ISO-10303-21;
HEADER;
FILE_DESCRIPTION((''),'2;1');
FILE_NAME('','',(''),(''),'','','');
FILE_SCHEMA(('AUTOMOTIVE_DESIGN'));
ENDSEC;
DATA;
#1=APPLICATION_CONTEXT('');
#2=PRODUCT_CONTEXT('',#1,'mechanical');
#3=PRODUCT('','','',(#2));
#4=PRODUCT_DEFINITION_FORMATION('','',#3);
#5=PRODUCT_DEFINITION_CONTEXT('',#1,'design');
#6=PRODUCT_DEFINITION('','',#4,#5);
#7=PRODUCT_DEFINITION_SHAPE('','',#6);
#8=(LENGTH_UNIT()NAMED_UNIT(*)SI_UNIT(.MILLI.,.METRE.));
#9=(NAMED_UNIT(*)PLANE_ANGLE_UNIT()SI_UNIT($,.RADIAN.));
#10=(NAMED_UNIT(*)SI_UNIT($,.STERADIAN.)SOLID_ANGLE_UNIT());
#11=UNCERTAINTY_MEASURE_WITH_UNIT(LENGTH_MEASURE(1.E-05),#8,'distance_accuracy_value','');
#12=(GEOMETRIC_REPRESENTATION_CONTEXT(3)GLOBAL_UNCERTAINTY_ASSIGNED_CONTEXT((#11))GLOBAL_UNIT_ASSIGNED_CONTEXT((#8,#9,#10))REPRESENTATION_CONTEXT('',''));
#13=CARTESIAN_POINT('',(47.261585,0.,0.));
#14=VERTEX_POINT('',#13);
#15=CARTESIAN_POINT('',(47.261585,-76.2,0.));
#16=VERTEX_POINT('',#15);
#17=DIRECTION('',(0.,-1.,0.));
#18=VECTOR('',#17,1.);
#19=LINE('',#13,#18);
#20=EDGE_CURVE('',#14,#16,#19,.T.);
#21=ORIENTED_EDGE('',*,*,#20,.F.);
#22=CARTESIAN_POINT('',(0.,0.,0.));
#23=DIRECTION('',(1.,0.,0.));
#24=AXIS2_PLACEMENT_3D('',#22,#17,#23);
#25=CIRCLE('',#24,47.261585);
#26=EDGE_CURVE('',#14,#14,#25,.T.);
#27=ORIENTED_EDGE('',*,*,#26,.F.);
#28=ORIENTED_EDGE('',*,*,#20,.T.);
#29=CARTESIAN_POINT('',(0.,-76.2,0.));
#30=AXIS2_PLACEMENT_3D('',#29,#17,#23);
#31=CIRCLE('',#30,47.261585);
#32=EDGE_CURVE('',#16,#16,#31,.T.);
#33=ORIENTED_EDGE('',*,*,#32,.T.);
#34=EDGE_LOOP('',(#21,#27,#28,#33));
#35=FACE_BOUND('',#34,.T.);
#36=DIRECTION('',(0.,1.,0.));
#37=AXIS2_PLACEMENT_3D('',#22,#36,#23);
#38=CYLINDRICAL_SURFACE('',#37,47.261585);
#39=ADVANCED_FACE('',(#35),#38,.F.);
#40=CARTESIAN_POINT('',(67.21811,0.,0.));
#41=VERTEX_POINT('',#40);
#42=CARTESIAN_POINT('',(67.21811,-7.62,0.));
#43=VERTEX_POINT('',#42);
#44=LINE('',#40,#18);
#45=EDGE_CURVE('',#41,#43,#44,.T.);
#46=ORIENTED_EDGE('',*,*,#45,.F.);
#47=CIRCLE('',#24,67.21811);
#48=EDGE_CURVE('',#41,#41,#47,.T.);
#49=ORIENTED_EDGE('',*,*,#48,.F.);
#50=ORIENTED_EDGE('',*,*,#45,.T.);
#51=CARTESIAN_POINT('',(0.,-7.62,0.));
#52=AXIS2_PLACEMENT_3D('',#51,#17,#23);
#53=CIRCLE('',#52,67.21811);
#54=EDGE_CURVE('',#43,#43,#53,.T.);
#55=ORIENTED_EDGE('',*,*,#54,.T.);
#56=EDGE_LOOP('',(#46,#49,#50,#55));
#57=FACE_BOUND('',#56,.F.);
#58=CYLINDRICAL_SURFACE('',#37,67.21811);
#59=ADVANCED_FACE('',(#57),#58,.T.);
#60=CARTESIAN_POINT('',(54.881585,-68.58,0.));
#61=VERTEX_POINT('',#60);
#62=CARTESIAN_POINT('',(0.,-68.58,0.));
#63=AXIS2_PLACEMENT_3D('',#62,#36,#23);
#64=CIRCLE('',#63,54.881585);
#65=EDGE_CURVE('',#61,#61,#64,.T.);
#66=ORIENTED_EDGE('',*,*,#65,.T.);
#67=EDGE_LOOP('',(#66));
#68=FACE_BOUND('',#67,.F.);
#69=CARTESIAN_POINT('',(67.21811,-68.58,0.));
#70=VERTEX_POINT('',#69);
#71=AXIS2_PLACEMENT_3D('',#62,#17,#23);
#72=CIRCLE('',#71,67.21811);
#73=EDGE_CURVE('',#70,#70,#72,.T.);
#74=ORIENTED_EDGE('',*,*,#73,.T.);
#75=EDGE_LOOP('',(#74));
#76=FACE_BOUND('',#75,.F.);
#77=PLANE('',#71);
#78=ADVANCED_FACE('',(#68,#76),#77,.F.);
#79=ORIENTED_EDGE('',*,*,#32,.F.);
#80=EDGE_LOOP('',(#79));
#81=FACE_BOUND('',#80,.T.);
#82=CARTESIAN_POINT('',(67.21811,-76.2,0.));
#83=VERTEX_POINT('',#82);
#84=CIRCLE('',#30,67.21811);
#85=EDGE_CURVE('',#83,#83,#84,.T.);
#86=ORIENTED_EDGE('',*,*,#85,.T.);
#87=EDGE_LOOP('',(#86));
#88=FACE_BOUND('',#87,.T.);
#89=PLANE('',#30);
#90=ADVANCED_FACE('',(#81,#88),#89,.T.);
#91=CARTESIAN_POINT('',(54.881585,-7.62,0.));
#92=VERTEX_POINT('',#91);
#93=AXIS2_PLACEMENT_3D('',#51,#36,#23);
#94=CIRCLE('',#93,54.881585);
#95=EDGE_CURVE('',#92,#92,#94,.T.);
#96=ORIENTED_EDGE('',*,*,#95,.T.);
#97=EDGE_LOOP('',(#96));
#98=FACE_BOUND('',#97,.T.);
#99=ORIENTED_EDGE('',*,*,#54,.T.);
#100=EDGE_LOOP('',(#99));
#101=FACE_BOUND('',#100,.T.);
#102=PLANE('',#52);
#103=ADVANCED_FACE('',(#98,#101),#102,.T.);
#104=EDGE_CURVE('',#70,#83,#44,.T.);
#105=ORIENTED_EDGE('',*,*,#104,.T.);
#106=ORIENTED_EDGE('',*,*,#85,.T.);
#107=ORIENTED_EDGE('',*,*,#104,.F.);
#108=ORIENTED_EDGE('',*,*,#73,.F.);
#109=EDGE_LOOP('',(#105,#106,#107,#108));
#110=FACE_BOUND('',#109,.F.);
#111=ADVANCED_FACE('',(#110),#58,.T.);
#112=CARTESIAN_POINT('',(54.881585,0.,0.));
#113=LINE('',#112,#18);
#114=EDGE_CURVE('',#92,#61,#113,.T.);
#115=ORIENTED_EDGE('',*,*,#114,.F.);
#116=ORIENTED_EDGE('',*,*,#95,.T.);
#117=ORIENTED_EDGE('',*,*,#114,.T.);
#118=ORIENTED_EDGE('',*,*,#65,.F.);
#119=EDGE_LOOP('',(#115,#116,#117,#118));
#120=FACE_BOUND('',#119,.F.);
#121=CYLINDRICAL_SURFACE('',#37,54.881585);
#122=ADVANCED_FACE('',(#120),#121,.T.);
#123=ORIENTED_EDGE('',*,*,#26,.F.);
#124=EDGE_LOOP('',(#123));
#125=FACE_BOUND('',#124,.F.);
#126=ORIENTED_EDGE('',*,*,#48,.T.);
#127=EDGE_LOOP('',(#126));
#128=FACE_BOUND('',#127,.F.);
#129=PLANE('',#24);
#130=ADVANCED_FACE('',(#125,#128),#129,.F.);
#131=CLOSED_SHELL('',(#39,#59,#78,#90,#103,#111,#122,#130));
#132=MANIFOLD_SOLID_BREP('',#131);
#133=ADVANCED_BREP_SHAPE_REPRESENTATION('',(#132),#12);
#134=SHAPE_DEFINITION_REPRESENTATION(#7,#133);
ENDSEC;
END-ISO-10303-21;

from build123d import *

# Parameters (mm, degrees)
F0_R     = 67.21811
F0_R_2   = 47.261585
F1_DEPTH = 76.2
F2_T     = -7.62


with BuildPart() as f1:
    # F0 (on Front) → F1 (new body)
    with BuildSketch(Plane.XZ):
        Circle(F0_R)
        Circle(F0_R_2, mode=Mode.SUBTRACT)
    extrude(amount=F1_DEPTH)

    # F2
    f2_openings = [f1.faces().sort_by_distance(p)[0] for p in [
        (-67.21811, -38.1, 0),
    ]]
    offset(amount=F2_T, openings=f2_openings)


solid = f1.part
